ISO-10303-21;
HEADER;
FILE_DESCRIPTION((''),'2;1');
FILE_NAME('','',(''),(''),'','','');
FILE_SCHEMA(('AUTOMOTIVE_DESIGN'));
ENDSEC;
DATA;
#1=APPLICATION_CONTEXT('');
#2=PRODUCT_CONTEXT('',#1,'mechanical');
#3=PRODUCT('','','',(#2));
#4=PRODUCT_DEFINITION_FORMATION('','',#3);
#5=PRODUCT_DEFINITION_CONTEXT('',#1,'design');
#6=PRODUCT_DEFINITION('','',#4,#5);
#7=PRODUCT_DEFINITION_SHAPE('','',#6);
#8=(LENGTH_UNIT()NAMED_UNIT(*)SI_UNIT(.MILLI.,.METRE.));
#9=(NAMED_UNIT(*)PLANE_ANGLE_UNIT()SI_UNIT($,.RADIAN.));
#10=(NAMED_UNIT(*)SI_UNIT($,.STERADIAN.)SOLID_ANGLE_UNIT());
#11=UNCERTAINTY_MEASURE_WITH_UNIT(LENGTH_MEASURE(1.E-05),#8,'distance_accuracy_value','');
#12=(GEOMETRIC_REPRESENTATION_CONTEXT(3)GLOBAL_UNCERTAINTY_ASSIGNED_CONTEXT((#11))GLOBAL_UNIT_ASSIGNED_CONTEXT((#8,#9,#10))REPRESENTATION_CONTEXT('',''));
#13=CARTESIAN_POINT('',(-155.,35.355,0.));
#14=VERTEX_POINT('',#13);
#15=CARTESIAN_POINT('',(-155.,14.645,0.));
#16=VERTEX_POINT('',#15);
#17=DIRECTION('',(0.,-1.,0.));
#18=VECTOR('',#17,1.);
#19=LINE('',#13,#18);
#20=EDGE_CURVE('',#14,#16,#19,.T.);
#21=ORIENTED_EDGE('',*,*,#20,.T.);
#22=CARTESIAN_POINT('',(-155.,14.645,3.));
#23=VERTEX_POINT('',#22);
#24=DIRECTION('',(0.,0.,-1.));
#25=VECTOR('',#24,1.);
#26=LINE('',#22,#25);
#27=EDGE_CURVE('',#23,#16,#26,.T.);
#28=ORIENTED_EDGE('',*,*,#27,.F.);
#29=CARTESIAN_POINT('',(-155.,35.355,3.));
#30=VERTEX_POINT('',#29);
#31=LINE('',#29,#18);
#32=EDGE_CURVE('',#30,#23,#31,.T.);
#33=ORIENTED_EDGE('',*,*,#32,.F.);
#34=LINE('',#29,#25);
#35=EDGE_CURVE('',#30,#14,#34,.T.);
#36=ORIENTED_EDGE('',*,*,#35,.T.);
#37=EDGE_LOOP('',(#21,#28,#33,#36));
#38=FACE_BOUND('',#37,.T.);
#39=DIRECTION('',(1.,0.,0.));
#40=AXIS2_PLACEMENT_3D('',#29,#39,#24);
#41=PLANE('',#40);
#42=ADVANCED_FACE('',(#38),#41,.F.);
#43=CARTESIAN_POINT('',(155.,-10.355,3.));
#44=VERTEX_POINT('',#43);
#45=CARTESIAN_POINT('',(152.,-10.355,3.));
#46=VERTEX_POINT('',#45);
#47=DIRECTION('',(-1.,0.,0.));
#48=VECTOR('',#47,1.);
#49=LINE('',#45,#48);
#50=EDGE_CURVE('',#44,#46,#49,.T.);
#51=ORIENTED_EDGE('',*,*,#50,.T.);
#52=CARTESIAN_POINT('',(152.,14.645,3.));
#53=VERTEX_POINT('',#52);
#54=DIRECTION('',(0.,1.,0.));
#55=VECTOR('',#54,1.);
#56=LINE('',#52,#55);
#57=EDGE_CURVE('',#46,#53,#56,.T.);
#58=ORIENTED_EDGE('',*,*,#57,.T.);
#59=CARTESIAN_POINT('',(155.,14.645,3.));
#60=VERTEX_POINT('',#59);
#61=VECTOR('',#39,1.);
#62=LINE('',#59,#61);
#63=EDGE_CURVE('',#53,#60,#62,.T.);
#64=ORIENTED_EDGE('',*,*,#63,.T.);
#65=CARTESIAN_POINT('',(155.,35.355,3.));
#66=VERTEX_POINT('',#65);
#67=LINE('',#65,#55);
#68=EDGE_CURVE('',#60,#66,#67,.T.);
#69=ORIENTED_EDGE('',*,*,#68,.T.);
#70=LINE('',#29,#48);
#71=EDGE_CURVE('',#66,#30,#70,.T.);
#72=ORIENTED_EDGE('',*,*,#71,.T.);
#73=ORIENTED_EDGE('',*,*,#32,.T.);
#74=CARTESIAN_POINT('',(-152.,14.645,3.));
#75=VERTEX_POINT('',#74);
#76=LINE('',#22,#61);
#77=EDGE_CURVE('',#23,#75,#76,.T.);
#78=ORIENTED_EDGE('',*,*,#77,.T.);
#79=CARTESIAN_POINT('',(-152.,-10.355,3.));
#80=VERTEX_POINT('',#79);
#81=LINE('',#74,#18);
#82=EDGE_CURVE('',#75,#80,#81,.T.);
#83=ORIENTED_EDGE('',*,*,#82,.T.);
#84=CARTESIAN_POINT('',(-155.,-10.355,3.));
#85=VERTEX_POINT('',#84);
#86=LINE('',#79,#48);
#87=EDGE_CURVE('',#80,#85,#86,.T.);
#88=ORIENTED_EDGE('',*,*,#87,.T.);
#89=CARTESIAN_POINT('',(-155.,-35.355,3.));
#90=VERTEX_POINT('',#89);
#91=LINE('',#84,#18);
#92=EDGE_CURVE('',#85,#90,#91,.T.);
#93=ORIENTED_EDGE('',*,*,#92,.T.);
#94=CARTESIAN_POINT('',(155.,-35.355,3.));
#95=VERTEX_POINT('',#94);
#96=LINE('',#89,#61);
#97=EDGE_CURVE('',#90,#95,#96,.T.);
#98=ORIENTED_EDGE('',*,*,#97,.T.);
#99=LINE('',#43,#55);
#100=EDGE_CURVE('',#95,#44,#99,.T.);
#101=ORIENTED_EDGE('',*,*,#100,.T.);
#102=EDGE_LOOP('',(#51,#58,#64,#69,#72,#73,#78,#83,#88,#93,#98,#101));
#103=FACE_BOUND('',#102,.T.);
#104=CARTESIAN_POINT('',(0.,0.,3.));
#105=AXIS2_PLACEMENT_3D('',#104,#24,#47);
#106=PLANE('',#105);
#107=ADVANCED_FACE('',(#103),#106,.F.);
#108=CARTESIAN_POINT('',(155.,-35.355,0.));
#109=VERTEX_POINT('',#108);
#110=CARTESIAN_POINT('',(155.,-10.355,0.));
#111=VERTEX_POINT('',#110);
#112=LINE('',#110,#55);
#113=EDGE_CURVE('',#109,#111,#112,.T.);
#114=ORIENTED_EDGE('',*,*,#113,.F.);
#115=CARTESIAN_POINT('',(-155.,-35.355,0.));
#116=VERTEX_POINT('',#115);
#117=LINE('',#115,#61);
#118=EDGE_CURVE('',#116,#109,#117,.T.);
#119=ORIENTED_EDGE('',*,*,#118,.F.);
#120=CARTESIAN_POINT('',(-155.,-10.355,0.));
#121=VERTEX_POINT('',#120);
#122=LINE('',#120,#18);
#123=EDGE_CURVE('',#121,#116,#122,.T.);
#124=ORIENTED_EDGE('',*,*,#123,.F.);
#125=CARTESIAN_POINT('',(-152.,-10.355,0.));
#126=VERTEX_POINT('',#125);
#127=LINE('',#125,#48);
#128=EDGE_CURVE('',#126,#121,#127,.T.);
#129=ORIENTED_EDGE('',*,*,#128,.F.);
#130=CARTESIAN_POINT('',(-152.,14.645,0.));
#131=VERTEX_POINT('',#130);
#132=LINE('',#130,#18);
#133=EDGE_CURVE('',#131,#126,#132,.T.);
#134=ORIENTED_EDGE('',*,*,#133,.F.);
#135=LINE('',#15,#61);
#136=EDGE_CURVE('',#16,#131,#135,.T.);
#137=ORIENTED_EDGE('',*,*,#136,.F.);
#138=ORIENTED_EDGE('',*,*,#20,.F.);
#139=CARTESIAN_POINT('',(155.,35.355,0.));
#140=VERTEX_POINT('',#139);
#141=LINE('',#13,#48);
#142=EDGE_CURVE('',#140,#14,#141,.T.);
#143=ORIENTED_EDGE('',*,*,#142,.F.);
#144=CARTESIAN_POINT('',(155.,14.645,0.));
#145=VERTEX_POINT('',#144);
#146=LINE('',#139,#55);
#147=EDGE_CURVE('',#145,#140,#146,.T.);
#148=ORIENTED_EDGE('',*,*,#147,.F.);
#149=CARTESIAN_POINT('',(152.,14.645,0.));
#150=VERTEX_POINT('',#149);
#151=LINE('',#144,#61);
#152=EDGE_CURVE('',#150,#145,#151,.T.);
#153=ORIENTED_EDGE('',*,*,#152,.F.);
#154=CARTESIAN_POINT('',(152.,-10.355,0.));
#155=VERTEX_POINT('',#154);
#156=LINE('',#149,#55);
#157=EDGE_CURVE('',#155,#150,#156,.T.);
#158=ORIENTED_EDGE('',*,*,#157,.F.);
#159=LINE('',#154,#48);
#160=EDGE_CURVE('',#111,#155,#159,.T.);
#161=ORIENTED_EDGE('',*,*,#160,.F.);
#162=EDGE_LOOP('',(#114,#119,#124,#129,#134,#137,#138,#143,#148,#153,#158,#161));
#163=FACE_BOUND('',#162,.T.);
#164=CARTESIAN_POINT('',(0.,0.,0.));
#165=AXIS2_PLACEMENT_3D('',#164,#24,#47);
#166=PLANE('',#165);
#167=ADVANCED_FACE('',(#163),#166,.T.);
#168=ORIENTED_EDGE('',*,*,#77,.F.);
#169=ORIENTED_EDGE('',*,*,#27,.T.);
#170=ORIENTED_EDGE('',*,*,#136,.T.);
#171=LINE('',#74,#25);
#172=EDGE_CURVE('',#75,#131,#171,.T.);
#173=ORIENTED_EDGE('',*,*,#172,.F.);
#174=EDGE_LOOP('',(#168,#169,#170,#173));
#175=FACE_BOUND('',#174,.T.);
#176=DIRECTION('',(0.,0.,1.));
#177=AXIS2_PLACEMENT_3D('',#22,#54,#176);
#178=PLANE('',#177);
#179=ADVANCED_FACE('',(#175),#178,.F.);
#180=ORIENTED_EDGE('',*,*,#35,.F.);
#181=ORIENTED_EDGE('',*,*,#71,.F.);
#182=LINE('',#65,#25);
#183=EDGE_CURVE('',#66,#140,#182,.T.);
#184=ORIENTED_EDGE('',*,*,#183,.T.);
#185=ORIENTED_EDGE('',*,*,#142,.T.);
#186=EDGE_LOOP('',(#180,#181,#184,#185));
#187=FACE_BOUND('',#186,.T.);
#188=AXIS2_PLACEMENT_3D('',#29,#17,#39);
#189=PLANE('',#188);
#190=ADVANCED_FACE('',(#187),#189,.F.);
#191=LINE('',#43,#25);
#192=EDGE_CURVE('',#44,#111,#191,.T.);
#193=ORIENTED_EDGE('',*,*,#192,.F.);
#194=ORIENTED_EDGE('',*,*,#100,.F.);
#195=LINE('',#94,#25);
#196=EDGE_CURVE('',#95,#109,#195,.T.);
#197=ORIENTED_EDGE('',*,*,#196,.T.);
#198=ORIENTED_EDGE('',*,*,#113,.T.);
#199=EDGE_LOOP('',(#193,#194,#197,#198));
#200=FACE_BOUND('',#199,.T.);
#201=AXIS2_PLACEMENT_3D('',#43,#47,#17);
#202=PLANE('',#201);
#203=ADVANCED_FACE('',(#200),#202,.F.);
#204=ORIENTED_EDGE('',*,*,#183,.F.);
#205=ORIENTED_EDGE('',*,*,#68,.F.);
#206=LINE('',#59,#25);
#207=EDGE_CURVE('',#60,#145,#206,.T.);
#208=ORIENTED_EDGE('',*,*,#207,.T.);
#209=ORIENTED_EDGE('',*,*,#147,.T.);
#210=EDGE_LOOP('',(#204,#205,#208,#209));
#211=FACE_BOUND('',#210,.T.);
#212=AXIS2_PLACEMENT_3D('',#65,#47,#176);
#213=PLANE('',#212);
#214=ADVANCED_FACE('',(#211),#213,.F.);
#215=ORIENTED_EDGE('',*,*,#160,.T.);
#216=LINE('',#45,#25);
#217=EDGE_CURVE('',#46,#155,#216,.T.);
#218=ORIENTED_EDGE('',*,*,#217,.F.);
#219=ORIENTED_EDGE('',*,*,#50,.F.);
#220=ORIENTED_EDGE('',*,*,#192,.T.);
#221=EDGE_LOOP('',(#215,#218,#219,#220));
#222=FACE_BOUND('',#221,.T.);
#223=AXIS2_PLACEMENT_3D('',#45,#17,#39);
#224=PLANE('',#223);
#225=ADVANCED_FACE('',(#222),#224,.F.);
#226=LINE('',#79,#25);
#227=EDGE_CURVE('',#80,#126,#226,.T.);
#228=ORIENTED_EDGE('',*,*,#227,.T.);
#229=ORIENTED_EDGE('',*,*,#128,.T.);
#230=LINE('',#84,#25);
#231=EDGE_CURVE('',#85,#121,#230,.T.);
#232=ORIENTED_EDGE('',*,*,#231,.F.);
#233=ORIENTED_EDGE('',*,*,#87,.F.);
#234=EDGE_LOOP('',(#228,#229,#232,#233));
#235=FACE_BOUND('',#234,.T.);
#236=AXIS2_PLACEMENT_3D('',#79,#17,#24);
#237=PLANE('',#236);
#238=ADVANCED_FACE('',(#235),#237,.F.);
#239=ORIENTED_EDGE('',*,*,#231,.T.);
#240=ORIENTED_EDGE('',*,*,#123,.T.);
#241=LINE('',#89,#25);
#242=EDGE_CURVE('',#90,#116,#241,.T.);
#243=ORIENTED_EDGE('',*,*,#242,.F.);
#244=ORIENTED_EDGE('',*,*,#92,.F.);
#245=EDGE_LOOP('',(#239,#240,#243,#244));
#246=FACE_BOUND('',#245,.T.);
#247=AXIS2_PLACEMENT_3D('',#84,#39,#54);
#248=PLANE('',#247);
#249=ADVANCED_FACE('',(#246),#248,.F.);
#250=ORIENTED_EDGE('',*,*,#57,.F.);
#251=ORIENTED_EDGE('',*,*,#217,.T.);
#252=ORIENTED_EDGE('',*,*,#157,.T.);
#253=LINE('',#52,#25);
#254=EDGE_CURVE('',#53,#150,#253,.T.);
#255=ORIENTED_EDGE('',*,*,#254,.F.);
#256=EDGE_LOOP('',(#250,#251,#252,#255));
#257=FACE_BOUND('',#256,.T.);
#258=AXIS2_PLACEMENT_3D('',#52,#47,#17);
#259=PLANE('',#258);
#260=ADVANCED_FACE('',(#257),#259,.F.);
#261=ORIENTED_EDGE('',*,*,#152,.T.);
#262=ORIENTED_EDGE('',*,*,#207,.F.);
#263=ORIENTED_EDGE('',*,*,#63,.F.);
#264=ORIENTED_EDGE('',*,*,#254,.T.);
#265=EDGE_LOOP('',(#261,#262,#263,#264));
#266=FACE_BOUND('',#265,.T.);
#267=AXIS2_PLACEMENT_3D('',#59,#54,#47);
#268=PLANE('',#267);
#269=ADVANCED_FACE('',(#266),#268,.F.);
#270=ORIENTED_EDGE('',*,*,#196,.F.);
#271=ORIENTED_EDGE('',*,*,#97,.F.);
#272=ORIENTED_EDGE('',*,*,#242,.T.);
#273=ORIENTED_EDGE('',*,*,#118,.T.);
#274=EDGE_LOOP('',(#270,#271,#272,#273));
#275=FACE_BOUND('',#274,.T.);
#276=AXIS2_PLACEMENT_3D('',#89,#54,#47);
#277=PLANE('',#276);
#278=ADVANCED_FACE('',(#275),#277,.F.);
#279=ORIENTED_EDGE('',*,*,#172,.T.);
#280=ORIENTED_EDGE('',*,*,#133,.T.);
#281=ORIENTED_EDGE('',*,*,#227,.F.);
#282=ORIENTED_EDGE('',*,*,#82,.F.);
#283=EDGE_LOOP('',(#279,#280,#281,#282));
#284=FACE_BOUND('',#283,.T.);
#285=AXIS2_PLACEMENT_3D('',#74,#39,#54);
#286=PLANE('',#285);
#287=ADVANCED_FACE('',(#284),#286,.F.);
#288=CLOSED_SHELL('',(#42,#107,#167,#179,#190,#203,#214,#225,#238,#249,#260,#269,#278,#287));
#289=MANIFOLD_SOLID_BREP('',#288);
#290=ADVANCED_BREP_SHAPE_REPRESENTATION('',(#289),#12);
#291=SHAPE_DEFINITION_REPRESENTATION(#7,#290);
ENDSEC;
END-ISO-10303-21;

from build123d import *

# Parameters (mm, degrees)
EXTRUDE_1_DEPTH = 3


with BuildPart() as part:
    # 스케치1 → 보스-돌출1 (new body)
    with BuildSketch(Plane.XY):
        Polygon((-155, 35.355), (-155, 14.645), (-152, 14.645), (-152, -10.355), (-155, -10.355), (-155, -35.355), (155, -35.355), (155, -10.355), (152, -10.355), (152, 14.645), (155, 14.645), (155, 35.355), align=None)
    extrude(amount=EXTRUDE_1_DEPTH)


solid = part.part
